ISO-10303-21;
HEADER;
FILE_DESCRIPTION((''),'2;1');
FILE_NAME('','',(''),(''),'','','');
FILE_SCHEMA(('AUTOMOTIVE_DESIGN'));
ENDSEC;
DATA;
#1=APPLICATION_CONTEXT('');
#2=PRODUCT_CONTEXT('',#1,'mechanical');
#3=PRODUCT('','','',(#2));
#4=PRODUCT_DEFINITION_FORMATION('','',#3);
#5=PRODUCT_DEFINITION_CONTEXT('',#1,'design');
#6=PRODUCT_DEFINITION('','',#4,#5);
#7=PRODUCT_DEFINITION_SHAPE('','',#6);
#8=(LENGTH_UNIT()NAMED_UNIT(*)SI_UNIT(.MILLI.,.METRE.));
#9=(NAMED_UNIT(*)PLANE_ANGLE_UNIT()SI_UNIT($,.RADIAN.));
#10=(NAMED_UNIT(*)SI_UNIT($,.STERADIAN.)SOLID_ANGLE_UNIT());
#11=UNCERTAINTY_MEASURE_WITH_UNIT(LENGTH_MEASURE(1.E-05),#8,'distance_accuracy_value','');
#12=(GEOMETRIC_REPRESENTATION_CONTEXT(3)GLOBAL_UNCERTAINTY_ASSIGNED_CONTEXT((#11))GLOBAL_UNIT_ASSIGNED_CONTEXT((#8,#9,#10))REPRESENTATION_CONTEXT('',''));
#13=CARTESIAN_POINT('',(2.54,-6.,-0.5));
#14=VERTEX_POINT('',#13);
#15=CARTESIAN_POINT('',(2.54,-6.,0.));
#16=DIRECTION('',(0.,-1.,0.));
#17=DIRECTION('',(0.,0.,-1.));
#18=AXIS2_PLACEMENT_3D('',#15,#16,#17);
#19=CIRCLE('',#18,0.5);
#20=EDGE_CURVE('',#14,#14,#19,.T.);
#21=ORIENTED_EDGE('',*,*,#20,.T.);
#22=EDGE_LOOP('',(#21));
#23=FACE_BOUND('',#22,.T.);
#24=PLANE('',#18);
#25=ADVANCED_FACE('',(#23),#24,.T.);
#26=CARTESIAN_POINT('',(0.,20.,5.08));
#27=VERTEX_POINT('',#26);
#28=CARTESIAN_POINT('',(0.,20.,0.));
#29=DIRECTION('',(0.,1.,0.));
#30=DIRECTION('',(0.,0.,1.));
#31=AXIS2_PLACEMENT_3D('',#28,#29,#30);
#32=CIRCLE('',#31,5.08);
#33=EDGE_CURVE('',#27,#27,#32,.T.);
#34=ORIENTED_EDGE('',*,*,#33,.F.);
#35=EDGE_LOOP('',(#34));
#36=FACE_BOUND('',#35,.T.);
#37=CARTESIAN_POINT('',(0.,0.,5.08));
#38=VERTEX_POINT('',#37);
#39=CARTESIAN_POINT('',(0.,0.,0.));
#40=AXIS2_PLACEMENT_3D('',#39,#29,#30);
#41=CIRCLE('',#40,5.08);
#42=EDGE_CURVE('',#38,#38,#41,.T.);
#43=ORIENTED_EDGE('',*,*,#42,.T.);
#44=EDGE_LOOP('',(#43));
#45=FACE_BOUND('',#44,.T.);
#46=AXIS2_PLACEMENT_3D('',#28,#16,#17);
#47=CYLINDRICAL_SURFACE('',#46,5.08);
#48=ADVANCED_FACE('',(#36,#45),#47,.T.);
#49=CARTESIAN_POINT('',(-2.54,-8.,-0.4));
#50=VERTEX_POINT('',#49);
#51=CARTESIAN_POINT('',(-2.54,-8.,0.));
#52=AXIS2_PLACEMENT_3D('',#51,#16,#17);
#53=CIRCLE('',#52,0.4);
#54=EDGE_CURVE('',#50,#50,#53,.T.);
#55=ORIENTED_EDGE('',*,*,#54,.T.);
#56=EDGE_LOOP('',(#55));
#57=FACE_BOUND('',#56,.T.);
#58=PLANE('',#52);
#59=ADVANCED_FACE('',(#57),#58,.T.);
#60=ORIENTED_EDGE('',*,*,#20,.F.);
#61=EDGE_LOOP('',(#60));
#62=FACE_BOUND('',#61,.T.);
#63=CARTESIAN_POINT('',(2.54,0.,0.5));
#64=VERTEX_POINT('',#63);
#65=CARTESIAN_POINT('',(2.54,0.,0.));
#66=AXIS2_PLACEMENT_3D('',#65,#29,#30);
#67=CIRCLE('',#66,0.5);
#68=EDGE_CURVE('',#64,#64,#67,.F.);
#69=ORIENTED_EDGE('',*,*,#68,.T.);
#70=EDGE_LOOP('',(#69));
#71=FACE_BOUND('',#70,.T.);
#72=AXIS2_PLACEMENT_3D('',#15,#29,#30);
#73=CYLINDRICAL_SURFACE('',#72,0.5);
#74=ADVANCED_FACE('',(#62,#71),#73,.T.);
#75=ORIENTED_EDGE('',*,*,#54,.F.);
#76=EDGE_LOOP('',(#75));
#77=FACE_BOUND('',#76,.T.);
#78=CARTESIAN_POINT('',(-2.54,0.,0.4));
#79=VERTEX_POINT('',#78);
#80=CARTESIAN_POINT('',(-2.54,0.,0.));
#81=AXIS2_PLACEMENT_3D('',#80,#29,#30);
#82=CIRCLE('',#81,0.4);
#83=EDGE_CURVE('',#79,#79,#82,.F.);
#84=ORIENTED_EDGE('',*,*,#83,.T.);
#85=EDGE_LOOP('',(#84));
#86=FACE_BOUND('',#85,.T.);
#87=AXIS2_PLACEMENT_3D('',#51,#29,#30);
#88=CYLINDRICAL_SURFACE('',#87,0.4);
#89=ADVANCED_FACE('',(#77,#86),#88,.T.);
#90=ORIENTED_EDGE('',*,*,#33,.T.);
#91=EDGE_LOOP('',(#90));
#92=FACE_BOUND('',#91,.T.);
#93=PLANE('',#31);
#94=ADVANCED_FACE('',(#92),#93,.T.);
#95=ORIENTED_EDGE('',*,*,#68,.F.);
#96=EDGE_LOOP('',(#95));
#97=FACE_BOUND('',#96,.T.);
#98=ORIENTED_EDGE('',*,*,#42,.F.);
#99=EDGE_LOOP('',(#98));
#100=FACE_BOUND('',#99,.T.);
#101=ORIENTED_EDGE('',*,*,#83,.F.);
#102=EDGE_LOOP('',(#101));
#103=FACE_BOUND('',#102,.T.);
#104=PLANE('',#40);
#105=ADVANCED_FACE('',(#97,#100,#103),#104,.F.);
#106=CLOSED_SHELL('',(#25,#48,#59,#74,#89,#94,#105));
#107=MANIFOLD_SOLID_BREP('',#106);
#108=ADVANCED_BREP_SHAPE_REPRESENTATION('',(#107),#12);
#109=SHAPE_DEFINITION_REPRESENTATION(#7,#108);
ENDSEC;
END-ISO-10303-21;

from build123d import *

# Parameters (mm, degrees)
SKETCH_1_R      = 5.08
EXTRUDE_1_DEPTH = 20
SKETCH_2_R      = 0.4
EXTRUDE_2_DEPTH = 8
SKETCH_3_R      = 0.5
EXTRUDE_3_DEPTH = 6


with BuildPart() as part:
    # 草图1 → 拉伸1 (new body)
    with BuildSketch(Plane(origin=(0, 0, 0), x_dir=(1, 0, 0), z_dir=(0, 1, 0))):
        with Locations(Location((0, 0, 0), (0, 0, 270))):
            Circle(SKETCH_1_R)
    extrude(amount=EXTRUDE_1_DEPTH)

    # 草图2 → 拉伸2 (add)
    with BuildSketch(Plane.XZ):
        with Locations(Location((-2.54, 0, 0), (0, 0, 90))):
            Circle(SKETCH_2_R)
    extrude(amount=EXTRUDE_2_DEPTH)

    # 草图3 → 拉伸3 (add)
    with BuildSketch(Plane.XZ):
        with Locations(Location((2.54, 0, 0), (0, 0, 90))):
            Circle(SKETCH_3_R)
    extrude(amount=EXTRUDE_3_DEPTH)


solid = part.part
